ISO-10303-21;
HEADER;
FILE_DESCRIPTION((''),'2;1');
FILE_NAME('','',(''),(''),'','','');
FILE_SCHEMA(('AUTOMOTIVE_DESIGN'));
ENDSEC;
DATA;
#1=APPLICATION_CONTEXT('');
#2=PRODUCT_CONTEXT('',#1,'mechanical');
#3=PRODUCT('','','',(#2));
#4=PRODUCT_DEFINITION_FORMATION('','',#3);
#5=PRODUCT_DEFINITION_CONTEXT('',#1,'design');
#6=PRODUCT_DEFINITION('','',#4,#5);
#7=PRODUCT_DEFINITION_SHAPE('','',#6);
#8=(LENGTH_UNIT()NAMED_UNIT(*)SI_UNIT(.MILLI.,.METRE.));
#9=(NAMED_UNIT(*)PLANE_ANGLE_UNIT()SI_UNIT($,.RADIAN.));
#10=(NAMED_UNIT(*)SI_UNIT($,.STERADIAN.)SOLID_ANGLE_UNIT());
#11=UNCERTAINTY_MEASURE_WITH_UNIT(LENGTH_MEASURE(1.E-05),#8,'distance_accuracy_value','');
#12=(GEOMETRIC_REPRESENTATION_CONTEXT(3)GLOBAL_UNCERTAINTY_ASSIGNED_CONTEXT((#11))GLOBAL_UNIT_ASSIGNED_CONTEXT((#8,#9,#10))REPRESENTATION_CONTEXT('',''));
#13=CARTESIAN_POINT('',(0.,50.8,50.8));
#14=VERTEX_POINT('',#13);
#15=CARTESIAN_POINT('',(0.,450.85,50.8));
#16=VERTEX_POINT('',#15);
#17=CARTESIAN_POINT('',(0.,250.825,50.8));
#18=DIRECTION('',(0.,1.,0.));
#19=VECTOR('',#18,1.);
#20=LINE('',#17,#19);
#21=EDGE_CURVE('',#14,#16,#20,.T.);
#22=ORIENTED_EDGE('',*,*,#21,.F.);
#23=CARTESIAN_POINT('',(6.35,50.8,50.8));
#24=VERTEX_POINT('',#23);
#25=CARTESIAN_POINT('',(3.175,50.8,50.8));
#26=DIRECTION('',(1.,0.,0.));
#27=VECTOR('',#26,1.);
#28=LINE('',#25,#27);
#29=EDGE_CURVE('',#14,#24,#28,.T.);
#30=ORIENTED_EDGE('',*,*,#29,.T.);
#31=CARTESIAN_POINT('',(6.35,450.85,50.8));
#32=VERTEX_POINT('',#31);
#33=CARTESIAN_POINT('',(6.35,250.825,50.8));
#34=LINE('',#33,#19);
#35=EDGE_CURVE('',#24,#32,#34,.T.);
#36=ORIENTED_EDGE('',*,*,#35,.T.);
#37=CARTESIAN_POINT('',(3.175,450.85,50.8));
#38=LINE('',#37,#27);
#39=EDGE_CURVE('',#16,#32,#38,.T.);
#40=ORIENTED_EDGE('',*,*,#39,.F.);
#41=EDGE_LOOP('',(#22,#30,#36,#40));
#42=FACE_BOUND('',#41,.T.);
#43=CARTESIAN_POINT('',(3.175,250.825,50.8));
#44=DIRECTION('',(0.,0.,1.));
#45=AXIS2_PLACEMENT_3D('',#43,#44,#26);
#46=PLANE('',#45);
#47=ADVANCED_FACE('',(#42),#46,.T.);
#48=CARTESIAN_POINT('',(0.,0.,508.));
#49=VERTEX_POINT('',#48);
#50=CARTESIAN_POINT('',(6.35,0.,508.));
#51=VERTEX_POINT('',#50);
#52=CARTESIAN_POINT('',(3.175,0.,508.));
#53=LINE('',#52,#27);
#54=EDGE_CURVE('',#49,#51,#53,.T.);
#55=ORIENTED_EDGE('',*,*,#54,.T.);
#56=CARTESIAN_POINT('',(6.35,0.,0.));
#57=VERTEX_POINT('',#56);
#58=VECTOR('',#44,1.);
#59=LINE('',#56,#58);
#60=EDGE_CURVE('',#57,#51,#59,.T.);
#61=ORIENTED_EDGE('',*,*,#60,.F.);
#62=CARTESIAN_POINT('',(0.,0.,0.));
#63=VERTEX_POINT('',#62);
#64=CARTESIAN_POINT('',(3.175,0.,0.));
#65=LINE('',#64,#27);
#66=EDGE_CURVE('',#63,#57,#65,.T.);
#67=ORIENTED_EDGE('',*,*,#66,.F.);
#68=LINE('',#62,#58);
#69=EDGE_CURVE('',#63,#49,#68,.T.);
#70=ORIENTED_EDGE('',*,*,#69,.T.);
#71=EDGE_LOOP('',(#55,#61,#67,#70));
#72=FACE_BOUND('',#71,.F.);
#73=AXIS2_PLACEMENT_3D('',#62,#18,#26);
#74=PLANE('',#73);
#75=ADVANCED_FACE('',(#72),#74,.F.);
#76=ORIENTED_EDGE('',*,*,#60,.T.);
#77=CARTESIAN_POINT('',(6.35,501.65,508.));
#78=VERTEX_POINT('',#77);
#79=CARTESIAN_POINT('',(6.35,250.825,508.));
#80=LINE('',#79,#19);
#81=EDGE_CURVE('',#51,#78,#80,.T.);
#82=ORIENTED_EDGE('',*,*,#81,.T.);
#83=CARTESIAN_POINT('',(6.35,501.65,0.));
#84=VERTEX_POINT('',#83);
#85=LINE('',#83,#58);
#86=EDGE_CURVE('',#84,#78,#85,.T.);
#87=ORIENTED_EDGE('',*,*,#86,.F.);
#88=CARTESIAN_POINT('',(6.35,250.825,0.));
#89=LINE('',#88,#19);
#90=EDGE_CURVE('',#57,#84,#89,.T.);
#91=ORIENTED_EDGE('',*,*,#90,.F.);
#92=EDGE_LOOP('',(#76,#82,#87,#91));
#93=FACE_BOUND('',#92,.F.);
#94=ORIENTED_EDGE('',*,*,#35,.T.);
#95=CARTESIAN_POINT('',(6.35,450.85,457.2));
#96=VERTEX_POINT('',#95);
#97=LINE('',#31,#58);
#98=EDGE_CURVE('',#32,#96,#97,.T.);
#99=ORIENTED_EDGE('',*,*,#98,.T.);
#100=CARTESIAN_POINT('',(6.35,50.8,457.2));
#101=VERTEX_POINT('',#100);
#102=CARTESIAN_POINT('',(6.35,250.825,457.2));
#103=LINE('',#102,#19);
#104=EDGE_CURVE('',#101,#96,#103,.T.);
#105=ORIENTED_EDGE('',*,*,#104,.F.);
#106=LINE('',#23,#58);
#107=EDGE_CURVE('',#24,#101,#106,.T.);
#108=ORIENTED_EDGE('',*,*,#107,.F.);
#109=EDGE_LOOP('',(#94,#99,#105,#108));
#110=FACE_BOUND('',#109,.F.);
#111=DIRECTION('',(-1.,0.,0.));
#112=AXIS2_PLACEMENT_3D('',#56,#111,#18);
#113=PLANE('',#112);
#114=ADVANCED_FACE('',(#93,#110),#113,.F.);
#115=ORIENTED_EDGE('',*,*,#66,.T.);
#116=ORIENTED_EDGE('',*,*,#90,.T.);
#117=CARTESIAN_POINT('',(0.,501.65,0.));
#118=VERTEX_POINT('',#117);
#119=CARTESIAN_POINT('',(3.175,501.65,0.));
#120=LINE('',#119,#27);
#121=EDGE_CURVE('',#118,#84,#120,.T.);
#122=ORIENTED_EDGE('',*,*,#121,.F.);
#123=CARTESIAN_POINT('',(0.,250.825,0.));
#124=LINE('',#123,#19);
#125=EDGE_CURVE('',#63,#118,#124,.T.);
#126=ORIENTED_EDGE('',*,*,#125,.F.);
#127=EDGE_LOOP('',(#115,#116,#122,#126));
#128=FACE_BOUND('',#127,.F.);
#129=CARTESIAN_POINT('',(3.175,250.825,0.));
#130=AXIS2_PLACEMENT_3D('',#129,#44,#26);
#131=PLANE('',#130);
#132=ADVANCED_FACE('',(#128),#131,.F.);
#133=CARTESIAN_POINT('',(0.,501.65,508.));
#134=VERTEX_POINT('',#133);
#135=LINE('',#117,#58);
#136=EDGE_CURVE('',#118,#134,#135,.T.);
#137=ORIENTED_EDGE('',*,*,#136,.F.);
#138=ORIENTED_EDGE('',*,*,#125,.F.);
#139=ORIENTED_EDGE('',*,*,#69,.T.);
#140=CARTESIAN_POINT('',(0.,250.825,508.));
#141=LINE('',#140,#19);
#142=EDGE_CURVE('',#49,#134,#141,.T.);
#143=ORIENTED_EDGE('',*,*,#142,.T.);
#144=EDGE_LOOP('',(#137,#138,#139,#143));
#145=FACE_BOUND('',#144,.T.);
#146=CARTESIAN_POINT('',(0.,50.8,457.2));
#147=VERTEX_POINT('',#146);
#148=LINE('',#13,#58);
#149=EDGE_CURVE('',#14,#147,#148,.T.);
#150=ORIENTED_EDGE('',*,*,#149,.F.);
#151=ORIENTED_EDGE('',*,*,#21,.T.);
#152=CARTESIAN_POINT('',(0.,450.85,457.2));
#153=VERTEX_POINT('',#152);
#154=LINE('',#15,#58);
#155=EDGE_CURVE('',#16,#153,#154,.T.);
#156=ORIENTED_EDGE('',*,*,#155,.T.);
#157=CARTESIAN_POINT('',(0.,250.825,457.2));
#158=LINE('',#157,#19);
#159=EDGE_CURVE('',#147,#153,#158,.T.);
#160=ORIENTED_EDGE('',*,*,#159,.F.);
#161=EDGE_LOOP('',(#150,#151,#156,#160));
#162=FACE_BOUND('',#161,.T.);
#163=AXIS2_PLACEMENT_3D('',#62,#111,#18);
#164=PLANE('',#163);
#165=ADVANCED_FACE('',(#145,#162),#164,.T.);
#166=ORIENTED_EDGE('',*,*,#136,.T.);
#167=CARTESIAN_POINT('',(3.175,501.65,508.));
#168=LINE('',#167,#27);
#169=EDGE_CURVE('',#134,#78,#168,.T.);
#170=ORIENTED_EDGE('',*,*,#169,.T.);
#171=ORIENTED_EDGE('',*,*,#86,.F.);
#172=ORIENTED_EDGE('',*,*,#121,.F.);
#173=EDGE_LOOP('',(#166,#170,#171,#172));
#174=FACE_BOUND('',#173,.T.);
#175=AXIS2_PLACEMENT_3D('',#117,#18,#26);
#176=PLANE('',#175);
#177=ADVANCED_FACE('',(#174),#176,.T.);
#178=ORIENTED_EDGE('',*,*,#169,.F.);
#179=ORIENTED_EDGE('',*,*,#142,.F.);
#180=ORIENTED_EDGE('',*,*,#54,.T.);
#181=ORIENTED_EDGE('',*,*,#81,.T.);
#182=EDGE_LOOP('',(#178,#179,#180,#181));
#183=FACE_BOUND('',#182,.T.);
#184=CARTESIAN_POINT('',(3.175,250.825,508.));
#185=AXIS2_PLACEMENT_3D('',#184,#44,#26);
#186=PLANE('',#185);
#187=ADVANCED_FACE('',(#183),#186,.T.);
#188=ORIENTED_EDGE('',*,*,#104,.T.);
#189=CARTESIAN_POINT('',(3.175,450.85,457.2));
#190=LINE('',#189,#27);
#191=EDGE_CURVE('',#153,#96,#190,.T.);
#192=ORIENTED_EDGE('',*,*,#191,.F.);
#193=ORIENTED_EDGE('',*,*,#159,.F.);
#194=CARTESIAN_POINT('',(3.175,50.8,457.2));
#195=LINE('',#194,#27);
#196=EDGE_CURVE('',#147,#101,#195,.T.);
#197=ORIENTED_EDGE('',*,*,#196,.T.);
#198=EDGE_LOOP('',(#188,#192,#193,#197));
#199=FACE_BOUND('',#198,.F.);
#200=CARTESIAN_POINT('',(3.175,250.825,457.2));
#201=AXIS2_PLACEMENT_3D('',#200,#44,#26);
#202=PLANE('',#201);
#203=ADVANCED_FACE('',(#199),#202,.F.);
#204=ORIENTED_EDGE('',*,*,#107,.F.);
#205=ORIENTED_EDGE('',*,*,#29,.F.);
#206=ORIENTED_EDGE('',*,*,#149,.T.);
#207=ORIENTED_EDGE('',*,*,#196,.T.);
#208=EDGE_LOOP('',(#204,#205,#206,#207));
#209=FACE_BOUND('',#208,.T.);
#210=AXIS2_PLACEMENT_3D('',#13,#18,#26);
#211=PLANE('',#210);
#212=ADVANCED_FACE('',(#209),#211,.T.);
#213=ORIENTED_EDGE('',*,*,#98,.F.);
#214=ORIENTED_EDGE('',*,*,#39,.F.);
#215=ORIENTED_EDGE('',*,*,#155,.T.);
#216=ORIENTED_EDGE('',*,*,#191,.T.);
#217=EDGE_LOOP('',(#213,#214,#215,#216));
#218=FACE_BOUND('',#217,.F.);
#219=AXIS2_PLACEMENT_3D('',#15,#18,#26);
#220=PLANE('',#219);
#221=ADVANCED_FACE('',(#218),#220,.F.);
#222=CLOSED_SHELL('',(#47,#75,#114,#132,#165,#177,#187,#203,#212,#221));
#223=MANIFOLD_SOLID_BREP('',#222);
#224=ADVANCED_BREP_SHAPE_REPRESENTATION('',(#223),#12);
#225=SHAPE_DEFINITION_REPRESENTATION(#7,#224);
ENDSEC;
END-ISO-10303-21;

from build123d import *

# Parameters (mm, degrees)
BOX001_W     = 6.35
BOX001_H     = 400.05
BOX001_DEPTH = 406.4
BOX_W        = 6.35
BOX_H        = 501.65
BOX_DEPTH    = 508


with BuildPart() as inner_hole_small_pc:
    # Box001 → Box001 (new body)
    with BuildSketch(Plane(origin=(0, 50.8, 50.8), x_dir=(1, 0, 0), z_dir=(0, 0, 1))):
        with Locations((3.175, 200.025)):
            Rectangle(BOX001_W, BOX001_H)
    extrude(amount=BOX001_DEPTH)


with BuildPart() as small_secondary_cube_back_end:
    # Box → Box (new body)
    with BuildSketch(Plane.XY):
        with Locations((3.175, 250.825)):
            Rectangle(BOX_W, BOX_H)
    extrude(amount=BOX_DEPTH)

    # Cut: cut inner hole small PC
    add(inner_hole_small_pc.part, mode=Mode.SUBTRACT)


solid = small_secondary_cube_back_end.part
